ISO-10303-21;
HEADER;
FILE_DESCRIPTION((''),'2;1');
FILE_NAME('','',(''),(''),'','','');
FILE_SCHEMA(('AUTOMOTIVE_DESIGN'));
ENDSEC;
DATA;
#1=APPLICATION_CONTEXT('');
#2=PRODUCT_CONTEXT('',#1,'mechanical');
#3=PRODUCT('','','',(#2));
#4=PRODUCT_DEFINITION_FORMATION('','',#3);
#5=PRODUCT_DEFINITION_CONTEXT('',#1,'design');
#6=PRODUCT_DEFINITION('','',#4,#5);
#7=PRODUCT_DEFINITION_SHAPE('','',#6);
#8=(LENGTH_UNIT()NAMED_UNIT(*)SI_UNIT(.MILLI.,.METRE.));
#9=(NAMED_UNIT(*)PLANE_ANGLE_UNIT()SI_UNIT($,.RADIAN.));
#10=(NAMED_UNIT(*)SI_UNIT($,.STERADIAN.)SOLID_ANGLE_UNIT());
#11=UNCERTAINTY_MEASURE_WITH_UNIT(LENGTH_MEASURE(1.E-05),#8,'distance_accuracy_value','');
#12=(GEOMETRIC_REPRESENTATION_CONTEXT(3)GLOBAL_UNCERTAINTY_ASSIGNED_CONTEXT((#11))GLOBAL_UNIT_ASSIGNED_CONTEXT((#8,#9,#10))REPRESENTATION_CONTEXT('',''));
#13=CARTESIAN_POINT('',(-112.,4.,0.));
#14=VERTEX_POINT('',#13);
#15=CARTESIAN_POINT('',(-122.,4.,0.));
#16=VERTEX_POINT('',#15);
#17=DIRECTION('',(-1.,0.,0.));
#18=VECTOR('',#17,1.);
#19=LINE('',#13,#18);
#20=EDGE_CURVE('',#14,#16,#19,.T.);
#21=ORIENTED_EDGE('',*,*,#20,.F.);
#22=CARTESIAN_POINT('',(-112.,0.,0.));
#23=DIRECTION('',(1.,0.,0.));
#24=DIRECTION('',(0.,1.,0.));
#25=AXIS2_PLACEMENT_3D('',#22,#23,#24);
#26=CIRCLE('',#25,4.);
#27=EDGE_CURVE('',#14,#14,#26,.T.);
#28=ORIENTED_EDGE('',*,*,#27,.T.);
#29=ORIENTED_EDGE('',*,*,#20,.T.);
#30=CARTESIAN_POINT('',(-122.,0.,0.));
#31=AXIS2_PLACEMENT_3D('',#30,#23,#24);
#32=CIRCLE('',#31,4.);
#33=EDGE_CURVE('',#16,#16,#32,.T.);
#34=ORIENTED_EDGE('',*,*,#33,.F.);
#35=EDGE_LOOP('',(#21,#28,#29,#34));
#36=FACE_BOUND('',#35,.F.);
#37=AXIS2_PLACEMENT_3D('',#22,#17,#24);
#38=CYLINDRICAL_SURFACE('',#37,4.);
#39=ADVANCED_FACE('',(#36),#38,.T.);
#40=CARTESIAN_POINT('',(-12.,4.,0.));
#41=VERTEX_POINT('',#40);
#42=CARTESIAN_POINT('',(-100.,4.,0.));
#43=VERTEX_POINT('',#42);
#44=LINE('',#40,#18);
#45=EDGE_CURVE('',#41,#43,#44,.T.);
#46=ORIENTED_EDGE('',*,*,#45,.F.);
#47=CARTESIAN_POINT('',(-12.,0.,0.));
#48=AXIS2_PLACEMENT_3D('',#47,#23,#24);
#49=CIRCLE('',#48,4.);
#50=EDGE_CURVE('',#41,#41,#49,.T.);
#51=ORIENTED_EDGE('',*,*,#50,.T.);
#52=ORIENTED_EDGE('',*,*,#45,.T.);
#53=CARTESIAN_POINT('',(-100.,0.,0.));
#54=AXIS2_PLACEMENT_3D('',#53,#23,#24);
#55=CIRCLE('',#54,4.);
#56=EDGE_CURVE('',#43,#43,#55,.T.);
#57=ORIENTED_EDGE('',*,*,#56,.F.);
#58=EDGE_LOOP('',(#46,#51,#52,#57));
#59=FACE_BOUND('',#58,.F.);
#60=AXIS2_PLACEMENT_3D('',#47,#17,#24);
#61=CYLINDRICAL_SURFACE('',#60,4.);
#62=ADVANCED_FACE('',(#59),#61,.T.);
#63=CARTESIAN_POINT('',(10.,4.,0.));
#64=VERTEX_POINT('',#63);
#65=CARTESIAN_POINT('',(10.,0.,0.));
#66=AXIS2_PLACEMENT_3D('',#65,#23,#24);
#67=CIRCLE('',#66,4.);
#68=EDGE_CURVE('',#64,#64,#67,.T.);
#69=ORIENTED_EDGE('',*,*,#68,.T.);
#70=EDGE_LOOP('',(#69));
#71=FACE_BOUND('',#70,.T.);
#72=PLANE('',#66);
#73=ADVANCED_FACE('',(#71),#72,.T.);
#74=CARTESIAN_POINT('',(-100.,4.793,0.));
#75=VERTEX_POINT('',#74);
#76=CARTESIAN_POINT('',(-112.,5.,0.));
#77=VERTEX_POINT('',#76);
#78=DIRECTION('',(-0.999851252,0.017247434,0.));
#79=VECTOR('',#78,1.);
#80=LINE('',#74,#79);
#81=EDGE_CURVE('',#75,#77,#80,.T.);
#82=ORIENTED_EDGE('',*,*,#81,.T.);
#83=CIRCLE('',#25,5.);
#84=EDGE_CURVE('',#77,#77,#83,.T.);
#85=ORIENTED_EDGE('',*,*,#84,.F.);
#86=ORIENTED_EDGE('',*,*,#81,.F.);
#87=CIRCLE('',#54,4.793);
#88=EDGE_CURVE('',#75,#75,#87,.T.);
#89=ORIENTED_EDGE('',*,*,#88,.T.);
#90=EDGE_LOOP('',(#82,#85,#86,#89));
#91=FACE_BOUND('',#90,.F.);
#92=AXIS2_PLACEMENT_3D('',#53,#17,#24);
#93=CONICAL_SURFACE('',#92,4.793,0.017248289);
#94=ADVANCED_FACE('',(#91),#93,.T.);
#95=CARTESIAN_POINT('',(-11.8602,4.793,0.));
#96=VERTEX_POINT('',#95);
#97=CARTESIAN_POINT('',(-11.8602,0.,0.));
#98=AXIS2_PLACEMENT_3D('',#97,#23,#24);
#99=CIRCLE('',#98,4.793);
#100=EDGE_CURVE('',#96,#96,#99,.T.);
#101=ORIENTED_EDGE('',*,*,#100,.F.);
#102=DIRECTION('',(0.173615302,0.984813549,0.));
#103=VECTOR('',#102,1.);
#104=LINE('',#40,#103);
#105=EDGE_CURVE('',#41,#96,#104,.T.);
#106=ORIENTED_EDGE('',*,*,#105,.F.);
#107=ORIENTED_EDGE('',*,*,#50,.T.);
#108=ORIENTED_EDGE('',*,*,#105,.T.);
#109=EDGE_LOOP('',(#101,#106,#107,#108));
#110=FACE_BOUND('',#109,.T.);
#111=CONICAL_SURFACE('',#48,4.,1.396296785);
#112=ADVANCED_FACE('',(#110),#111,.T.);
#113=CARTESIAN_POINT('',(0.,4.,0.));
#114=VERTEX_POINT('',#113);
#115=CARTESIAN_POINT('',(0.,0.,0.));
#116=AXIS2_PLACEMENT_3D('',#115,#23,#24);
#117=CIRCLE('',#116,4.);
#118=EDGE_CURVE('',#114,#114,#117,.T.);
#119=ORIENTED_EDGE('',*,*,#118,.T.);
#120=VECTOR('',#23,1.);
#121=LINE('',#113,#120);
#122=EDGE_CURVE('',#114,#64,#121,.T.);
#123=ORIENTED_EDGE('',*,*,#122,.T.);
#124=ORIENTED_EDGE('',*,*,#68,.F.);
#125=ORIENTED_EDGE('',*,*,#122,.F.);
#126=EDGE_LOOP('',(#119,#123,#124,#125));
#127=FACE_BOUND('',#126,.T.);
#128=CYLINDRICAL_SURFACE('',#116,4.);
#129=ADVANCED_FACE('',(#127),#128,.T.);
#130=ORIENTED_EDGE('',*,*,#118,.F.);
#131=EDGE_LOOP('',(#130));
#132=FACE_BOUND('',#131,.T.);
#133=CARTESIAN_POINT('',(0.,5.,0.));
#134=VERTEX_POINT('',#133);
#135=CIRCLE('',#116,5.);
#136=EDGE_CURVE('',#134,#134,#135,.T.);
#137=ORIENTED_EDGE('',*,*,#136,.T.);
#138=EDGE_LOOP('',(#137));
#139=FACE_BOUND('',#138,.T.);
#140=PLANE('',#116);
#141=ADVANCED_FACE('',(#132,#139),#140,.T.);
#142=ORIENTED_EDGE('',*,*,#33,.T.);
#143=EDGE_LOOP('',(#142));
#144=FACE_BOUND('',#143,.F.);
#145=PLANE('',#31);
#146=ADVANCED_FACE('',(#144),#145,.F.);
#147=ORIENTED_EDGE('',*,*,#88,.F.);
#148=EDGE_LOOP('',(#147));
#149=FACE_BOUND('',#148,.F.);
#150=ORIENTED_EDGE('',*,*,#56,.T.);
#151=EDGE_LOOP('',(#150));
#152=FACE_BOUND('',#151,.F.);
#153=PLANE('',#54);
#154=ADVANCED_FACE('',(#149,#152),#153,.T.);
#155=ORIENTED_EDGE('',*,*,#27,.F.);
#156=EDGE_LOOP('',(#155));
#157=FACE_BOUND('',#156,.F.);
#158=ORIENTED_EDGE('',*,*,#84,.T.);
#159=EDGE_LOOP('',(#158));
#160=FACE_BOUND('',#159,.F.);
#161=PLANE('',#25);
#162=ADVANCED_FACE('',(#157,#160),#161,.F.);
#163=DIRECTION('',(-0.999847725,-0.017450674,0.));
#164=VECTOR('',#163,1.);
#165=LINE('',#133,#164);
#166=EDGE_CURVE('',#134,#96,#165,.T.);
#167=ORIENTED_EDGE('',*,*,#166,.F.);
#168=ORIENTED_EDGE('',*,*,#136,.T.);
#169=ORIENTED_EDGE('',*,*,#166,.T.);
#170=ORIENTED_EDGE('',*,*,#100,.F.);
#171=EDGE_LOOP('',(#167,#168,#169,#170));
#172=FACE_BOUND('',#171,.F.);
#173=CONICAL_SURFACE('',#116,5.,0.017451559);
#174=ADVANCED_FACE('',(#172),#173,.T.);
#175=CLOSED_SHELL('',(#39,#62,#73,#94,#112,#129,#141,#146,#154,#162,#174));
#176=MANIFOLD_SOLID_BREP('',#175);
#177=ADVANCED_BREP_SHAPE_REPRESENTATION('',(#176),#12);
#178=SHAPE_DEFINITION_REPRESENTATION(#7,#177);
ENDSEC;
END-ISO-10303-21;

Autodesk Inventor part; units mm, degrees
ref_plane "YZ Plane" through (0, 0, 0) normal (1, 0, 0) x (0, 1, 0)
ref_plane "XZ Plane" through (0, 0, 0) normal (0, 1, 0) x (-1, 0, 0)
ref_plane "XY Plane" through (0, 0, 0) normal (0, 0, 1) x (1, 0, 0)
sketch "Skizze1" plane through (0, 0, 0) normal (0, 0, 1) x (1, 0, 0)
  line L0 (0, 5) -> (-11.8602, 4.793)
  line L1 (-12, 4) -> (-100, 4)
  line L2 (-100, 4) -> (-100, 0)
  line L3 (0, 5) -> (0, 4)
  line L4 (0, 4) -> (10, 4)
  line L5 (10, 4) -> (10, 0)
  line L6 (-100, 0) -> (10, 0)
  line L7 (-12, 4) -> (-11.8602, 4.793)
  line L8 (-100, 4) -> (-100, 4.793)
  line L9 (-100, 4.793) -> (-112, 5)
  line L10 (-112, 5) -> (-112, 4)
  line L11 (-112, 4) -> (-122, 4)
  line L12 (-122, 4) -> (-122, 0)
  line L13 (-122, 0) -> (-100, 0)
  point P0 (0, 0)
  dimension "d0" = 8
  dimension "d2" = 10
  dimension "d3" = 10
  dimension "d4" = 12
  dimension "d5" = 8
  dimension "d6" = 1
  dimension "d7" = 100
  dimension "d8" = 100
  dimension "d12" = 12
  dimension "d13" = 10
revolve "Umdrehung1" add sketch "Skizze1" angle 360 about axis through (-100, 0, 0) along (1, 0, 0)
thread "Gewinde1" size "M8x1.25" class "6g" standard "ISO Metric profile" full length
equation "\"d12\" = d4"
equation "\"d13\" = d3"
properties part number "Schwarnenhals"
